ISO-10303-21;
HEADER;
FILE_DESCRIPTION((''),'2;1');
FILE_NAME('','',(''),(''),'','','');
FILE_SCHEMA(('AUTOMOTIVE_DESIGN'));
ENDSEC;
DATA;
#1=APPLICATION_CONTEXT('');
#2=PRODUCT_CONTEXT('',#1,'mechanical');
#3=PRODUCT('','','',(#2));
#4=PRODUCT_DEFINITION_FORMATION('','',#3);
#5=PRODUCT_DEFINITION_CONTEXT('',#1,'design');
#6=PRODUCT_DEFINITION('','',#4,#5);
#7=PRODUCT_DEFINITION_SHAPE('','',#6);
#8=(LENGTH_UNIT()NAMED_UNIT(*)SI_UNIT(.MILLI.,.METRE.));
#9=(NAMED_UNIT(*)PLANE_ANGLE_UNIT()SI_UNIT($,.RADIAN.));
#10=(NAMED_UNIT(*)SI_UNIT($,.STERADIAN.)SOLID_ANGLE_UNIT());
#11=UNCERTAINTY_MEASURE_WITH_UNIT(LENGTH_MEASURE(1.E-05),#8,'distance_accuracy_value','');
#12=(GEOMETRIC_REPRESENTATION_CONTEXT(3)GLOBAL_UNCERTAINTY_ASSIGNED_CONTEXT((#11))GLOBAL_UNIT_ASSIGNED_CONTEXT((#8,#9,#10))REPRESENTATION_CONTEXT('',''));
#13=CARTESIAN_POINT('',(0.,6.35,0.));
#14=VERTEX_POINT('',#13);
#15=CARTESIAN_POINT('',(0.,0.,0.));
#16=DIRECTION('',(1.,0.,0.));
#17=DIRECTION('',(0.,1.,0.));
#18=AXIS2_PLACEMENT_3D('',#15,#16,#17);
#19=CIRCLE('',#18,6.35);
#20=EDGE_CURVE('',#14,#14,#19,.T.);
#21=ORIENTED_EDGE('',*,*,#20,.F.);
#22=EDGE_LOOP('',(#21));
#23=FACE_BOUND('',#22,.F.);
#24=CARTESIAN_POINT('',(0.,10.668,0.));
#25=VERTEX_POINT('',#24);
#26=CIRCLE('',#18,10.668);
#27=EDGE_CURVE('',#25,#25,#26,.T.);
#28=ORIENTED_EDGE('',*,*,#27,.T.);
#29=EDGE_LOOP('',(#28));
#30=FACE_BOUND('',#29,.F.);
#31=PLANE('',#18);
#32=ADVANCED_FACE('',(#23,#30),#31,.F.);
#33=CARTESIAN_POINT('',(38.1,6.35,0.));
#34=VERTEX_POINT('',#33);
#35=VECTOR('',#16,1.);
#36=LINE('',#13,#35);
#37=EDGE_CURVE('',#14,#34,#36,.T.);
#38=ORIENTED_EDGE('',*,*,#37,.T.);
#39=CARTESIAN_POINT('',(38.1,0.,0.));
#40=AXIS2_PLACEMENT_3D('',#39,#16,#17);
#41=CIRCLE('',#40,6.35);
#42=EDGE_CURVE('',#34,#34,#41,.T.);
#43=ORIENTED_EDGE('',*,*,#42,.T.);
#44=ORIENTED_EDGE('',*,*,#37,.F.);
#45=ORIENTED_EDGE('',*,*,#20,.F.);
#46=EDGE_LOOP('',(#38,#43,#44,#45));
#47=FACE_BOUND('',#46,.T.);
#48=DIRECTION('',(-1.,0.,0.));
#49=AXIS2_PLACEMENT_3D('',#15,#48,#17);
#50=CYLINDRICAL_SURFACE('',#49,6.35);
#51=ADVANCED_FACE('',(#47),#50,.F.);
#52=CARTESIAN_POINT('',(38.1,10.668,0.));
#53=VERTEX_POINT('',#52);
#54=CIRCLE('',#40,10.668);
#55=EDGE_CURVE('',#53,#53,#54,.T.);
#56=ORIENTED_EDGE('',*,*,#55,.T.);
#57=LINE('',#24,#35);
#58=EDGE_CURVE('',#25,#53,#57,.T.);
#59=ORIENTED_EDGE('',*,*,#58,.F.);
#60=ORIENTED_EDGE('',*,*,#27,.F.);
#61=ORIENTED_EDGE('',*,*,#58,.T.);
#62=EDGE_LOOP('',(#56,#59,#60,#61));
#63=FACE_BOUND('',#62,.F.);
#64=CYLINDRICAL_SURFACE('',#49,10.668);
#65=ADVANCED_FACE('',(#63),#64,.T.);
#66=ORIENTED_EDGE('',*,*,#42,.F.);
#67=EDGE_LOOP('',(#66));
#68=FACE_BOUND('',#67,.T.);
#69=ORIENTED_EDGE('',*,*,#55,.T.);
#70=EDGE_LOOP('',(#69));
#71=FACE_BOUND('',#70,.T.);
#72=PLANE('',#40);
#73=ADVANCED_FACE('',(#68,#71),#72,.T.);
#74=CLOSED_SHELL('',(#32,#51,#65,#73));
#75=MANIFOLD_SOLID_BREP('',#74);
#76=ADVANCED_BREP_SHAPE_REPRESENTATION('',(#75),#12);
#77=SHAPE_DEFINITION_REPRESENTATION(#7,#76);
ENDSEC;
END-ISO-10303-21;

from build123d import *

# Parameters (mm, degrees)
SKETCH_R   = 10.668
SKETCH_R_2 = 6.35
PAD_DEPTH  = 38.1


with BuildPart() as part:
    # Sketch → Pad (new body)
    with BuildSketch(Plane.YZ):
        Circle(SKETCH_R)
        Circle(SKETCH_R_2, mode=Mode.SUBTRACT)
    extrude(amount=PAD_DEPTH)


solid = part.part
